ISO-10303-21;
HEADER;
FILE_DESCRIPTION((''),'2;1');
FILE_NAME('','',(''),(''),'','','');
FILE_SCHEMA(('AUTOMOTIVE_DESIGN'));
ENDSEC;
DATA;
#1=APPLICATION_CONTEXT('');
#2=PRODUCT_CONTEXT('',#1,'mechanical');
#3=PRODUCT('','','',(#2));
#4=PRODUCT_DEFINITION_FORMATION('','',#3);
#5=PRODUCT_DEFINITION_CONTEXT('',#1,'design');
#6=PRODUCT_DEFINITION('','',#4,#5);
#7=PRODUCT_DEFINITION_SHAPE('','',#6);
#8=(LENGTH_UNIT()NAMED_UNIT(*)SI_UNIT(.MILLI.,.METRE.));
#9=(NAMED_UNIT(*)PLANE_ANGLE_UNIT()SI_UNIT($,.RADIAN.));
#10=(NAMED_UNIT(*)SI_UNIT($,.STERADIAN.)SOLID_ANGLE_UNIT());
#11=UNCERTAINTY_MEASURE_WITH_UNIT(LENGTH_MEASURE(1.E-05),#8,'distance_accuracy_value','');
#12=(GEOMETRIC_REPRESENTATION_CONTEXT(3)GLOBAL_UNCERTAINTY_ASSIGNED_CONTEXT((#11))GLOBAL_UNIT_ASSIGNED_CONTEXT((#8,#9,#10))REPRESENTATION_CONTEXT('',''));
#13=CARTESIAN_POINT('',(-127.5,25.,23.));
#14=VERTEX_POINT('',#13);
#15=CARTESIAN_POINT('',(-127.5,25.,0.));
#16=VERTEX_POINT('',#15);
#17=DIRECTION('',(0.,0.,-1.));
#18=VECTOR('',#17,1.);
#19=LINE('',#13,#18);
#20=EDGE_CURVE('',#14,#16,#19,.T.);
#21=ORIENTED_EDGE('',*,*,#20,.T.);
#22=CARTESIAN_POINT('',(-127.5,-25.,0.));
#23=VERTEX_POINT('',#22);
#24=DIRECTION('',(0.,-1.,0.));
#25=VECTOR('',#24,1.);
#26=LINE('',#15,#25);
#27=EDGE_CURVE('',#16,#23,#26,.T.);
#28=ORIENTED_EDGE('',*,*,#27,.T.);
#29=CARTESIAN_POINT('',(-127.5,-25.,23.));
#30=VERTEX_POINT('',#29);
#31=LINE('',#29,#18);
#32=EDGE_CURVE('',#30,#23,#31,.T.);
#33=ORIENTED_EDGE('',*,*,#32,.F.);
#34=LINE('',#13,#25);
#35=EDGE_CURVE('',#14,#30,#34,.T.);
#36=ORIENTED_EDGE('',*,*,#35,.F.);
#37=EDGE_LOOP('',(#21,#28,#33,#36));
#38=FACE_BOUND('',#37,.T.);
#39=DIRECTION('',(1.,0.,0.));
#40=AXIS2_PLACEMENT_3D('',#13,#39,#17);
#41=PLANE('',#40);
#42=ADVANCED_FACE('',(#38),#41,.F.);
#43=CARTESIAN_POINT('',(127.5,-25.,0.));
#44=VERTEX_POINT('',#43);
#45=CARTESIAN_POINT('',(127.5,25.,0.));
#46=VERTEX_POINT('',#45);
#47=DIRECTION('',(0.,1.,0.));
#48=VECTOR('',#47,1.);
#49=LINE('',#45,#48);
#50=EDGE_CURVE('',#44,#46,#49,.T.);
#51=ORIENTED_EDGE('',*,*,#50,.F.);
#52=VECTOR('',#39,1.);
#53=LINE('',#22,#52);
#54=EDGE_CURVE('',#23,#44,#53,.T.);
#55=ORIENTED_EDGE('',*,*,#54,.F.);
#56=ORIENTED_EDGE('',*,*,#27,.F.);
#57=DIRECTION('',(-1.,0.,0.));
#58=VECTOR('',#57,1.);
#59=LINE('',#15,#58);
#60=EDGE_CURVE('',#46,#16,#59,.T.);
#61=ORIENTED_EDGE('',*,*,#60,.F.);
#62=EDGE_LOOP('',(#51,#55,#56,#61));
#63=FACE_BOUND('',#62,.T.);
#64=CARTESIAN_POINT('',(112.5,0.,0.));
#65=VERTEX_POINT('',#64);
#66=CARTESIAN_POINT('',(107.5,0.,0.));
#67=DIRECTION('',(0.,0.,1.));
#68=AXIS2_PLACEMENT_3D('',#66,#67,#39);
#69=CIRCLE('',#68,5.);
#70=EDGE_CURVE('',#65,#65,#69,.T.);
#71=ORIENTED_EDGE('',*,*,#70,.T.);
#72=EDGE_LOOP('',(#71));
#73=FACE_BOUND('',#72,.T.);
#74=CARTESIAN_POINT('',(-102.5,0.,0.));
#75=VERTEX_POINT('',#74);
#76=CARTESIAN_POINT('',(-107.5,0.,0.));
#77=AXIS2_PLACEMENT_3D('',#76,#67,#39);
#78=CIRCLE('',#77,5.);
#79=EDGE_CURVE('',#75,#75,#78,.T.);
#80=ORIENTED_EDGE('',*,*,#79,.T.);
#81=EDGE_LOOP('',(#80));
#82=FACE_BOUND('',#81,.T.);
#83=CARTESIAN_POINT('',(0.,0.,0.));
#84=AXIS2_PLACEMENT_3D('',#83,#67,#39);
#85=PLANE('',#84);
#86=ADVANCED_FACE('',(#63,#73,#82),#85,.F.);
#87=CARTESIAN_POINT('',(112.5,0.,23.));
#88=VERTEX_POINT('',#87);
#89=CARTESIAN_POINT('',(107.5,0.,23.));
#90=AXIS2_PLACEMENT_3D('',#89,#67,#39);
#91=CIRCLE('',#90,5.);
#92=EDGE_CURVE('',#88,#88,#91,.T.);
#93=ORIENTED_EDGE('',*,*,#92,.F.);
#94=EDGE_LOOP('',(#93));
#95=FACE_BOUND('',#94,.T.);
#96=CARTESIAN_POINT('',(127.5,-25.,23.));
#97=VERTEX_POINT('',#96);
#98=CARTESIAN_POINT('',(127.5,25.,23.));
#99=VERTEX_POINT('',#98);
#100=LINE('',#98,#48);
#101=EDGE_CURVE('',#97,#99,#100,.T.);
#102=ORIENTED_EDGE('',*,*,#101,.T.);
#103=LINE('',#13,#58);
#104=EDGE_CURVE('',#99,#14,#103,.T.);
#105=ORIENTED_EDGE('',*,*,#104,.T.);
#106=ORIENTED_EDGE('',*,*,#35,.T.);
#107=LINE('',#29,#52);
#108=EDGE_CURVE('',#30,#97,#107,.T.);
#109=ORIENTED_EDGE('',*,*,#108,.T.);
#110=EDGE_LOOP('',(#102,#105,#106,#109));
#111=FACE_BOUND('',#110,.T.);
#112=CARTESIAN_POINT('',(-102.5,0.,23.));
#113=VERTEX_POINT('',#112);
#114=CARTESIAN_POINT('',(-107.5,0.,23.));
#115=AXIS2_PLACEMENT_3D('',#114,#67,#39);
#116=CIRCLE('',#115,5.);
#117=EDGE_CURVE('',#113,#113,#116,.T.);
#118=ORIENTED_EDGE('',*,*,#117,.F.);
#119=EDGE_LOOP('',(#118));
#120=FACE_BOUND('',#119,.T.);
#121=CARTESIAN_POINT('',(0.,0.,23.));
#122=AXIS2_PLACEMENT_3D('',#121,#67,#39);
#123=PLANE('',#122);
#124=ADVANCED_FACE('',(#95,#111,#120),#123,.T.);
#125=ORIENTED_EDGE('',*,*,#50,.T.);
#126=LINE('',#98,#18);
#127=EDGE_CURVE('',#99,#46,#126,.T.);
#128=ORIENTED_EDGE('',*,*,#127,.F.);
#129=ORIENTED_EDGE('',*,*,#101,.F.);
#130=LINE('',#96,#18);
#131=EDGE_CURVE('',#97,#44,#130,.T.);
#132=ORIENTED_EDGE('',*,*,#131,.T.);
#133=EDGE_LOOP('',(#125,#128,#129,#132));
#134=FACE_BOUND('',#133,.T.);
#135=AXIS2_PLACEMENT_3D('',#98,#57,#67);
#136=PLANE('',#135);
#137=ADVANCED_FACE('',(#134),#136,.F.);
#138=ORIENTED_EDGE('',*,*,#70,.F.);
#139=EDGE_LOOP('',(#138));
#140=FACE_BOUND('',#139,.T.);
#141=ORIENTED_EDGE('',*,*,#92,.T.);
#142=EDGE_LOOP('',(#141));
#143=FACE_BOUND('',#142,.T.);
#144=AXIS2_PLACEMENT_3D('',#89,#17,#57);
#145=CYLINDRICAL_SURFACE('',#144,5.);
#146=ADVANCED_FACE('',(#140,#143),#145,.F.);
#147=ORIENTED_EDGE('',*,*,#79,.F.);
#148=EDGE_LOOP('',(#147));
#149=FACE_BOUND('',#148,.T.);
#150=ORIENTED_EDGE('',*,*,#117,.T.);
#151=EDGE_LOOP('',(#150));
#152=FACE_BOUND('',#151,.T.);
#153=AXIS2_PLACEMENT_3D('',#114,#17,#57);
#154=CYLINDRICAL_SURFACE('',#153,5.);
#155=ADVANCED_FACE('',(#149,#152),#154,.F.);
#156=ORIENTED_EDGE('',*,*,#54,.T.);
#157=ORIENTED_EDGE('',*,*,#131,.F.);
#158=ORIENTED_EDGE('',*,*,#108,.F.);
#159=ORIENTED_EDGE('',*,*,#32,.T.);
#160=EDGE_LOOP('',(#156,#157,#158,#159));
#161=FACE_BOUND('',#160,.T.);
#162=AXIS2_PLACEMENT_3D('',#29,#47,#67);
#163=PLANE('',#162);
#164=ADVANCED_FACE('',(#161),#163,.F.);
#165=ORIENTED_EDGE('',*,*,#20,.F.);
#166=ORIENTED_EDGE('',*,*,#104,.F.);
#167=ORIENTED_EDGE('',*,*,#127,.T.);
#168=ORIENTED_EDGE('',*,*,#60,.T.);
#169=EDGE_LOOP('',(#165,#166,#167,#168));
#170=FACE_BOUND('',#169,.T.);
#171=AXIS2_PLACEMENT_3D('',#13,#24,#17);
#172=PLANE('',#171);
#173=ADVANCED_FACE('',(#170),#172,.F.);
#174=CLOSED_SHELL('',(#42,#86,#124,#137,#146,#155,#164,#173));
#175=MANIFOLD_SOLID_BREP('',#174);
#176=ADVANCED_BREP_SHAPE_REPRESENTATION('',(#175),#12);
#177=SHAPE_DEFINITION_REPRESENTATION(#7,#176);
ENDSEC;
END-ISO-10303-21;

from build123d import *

# Parameters (mm, degrees)
SKETCH1_W           = 255
SKETCH1_H           = 50
SKETCH1_R           = 5
BOSS_EXTRUDE2_DEPTH = 23


with BuildPart() as part:
    # Sketch1 → Boss-Extrude2 (new body)
    with BuildSketch(Plane.XY):
        Rectangle(SKETCH1_W, SKETCH1_H)
        with Locations((-107.5, 0)):
            Circle(SKETCH1_R, mode=Mode.SUBTRACT)
        with Locations((107.5, 0)):
            Circle(SKETCH1_R, mode=Mode.SUBTRACT)
    extrude(amount=BOSS_EXTRUDE2_DEPTH)


solid = part.part
